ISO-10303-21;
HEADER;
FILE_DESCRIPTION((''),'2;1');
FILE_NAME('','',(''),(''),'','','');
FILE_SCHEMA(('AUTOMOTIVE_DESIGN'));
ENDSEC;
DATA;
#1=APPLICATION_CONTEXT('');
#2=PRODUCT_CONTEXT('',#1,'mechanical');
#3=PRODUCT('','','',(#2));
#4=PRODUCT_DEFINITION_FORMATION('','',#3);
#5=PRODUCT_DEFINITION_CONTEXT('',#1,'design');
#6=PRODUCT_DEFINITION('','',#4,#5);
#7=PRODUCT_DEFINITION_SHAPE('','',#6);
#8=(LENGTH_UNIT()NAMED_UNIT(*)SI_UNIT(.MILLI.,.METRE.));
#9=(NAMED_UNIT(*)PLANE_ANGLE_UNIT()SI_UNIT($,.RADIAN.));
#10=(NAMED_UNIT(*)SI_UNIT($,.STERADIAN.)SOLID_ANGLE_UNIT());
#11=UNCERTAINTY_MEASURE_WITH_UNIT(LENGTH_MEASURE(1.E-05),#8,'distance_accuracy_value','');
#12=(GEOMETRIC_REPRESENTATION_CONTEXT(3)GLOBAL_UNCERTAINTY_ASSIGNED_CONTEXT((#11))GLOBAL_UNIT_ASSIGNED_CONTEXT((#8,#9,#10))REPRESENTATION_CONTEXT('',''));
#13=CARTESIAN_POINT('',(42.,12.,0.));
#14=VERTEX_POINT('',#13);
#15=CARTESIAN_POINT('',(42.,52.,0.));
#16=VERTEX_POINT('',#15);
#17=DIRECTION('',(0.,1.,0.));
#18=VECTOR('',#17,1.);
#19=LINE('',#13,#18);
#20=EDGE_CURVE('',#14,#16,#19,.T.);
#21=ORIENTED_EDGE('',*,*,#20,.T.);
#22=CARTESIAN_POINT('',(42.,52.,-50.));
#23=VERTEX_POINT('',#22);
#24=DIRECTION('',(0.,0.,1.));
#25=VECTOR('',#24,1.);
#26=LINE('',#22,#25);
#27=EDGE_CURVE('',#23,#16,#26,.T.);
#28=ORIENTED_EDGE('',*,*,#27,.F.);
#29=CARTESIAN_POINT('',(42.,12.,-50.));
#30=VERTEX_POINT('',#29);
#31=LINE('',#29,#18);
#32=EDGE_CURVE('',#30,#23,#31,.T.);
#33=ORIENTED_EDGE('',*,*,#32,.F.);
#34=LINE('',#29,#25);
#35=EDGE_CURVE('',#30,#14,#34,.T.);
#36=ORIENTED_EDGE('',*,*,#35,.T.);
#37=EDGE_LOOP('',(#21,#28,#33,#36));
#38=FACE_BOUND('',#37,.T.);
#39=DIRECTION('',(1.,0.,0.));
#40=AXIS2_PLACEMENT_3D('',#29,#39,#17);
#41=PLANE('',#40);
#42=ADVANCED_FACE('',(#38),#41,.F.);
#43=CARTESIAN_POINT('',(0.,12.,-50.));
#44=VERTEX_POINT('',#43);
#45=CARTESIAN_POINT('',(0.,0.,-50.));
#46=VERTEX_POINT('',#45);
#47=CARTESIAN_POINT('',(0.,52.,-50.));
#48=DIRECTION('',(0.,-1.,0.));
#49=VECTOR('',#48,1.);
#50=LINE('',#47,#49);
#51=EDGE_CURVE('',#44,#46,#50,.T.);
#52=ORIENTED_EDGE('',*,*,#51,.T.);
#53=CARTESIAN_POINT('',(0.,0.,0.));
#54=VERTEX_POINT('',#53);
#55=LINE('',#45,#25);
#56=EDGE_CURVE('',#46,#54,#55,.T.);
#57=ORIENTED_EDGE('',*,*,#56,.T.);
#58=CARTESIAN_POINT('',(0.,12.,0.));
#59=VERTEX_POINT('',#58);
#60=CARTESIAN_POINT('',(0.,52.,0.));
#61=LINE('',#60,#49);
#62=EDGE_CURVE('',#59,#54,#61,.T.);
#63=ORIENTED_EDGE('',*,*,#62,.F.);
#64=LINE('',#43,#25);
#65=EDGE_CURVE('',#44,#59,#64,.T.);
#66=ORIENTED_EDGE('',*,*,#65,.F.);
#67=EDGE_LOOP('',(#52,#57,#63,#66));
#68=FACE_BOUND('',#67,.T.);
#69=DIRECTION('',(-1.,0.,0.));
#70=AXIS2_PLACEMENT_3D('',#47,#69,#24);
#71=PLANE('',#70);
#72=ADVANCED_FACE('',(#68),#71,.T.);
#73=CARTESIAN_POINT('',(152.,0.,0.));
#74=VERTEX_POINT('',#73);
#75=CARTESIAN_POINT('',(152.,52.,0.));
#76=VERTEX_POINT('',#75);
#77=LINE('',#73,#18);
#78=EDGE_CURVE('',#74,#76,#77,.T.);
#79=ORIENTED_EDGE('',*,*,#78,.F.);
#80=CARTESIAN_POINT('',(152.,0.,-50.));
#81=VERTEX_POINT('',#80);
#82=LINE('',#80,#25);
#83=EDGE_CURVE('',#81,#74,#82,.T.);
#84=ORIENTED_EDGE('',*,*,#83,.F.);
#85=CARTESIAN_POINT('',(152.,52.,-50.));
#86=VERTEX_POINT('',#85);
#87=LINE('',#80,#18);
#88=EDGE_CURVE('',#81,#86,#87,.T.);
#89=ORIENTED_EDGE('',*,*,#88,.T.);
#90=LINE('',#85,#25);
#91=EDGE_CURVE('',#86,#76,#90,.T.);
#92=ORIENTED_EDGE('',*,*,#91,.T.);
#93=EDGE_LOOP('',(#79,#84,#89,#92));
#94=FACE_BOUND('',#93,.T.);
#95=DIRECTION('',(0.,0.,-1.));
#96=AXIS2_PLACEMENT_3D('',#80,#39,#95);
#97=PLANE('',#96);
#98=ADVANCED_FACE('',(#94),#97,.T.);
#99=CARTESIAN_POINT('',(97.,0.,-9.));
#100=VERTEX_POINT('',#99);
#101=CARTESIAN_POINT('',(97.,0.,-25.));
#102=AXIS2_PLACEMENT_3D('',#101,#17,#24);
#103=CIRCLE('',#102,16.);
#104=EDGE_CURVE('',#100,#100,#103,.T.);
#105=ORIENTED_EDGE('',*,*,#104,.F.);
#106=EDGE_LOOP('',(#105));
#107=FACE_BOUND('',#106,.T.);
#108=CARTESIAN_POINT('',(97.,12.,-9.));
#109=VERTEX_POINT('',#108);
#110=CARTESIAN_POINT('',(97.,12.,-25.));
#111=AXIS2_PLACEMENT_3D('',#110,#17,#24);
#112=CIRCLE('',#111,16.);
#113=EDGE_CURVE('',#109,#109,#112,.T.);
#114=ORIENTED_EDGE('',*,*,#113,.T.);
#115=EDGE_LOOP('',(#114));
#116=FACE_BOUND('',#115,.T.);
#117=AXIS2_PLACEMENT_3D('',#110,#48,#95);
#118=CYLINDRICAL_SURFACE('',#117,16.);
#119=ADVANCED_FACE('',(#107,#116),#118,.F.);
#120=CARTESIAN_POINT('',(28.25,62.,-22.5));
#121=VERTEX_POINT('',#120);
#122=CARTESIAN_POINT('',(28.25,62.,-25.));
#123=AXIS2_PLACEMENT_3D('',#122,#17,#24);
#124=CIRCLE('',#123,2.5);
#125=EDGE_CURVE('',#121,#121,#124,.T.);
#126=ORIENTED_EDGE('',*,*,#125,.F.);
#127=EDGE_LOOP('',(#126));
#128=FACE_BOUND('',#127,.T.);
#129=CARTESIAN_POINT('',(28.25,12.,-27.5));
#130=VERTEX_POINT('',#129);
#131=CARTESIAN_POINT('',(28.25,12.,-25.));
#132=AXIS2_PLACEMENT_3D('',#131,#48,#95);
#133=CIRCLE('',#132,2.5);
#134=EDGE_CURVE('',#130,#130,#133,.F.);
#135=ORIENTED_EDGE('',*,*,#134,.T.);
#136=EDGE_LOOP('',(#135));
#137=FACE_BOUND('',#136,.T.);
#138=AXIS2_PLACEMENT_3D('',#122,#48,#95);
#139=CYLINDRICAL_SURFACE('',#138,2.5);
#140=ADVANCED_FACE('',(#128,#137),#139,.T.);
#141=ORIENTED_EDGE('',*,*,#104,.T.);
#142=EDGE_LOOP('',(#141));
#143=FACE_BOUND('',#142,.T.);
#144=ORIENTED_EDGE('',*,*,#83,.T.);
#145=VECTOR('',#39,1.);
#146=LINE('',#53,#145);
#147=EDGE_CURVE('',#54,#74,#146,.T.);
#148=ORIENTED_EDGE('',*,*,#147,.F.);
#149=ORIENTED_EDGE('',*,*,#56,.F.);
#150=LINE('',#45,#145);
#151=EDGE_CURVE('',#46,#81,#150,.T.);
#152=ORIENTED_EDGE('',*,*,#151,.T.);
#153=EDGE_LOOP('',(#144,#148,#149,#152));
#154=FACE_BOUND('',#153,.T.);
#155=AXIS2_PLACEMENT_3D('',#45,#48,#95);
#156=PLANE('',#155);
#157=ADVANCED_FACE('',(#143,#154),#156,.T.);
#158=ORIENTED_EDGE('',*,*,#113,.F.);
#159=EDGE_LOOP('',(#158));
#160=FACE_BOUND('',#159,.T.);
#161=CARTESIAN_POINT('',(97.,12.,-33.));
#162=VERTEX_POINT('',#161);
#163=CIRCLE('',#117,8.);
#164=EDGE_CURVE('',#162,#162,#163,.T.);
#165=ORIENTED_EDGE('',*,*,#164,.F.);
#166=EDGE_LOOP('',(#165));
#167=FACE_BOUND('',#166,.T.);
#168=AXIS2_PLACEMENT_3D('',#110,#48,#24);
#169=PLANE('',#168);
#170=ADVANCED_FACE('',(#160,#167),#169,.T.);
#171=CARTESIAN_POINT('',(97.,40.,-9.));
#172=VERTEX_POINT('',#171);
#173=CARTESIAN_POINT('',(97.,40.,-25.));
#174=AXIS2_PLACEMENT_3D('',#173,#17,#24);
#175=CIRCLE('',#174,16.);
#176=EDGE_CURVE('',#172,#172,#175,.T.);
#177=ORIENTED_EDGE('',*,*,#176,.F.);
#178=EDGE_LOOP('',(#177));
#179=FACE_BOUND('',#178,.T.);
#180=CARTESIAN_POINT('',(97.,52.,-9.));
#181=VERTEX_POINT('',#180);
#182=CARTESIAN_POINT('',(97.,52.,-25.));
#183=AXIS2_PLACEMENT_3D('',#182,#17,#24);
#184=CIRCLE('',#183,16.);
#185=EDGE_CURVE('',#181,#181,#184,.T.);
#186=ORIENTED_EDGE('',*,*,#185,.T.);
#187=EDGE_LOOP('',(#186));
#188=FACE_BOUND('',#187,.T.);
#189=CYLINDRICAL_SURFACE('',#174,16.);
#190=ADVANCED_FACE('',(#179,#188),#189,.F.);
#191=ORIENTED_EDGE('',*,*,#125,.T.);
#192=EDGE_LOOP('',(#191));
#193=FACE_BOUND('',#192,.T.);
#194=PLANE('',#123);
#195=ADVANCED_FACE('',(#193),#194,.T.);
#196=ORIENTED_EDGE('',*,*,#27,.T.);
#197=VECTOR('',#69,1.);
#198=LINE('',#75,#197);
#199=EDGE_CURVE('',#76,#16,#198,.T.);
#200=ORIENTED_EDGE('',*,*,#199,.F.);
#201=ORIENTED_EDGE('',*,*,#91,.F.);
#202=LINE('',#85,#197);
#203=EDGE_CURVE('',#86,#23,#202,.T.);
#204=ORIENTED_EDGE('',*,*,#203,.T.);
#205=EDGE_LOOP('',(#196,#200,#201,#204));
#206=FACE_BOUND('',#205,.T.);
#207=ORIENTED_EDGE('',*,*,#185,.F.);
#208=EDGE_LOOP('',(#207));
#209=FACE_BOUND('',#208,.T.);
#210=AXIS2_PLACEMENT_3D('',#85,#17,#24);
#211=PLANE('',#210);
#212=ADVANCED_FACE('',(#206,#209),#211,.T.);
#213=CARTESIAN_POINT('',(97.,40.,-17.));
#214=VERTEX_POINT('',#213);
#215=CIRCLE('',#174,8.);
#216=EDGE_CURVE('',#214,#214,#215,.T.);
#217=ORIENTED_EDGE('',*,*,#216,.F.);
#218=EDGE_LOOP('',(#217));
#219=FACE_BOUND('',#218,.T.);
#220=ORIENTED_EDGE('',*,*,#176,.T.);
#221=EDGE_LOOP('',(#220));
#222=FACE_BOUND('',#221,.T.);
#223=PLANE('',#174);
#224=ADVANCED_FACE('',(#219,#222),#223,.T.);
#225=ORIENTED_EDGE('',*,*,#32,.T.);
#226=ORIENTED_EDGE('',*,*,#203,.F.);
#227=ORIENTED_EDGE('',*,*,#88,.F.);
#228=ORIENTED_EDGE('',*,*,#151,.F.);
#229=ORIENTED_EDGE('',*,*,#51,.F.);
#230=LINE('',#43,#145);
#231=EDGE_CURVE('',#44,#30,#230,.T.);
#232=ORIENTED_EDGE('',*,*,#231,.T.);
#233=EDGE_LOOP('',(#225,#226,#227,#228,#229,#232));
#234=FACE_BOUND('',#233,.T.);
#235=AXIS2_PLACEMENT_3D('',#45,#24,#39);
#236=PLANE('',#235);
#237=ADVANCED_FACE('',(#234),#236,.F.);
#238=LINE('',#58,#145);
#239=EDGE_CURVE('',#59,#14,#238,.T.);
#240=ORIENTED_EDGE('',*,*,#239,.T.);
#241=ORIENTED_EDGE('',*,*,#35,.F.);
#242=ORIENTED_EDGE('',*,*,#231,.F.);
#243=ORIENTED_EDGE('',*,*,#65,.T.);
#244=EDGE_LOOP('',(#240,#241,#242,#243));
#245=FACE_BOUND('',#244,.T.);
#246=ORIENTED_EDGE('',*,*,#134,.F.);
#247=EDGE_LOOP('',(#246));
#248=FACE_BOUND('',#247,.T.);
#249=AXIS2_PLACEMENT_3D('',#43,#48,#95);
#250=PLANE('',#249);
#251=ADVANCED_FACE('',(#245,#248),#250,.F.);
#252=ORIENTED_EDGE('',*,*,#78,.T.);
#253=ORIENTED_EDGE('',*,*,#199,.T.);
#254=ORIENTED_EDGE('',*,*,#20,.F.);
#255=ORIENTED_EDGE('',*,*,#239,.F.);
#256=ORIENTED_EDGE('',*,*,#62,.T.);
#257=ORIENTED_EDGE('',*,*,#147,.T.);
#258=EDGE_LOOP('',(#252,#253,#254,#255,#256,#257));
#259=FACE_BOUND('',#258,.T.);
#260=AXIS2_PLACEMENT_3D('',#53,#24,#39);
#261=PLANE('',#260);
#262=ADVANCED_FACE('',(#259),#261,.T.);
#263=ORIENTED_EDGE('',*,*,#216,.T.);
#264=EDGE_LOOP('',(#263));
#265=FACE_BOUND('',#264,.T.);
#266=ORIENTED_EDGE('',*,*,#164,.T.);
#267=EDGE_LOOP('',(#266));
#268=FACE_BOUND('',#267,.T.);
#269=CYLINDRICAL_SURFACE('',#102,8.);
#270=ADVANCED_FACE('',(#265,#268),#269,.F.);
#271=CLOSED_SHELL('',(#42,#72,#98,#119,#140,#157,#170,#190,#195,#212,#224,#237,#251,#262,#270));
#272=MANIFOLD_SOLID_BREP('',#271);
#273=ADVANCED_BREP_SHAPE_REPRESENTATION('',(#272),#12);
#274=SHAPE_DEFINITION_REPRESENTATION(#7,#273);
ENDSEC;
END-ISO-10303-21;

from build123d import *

# Parameters (mm, degrees)
SKETCH1_W                = 152
SKETCH1_H                = 52
BOSS_EXTRUDE1_DEPTH      = 50
SKETCH2_W                = 42
SKETCH2_H                = 40
CUT_EXTRUDE1_DEPTH       = 169.249814264
SKETCH3_R                = 16
CUT_EXTRUDE2_DEPTH       = 12
SKETCH4_R                = 8
CUT_EXTRUDE3_DEPTH       = 165.93635136
BOSS_EXTRUDE2_DEPTH      = 10
BOSS_EXTRUDE2_DEPTH_BACK = 40
SKETCH6_R                = 2.5


with BuildPart() as part:
    # Sketch1 → Boss-Extrude1 (new body)
    with BuildSketch(Plane.XY):
        with Locations((76, 26)):
            Rectangle(SKETCH1_W, SKETCH1_H)
    extrude(amount=-BOSS_EXTRUDE1_DEPTH)

    # Sketch2 → Cut-Extrude1 (cut, through all)
    with BuildSketch(Plane.XY):
        with Locations((21, 32)):
            Rectangle(SKETCH2_W, SKETCH2_H)
    extrude(amount=-CUT_EXTRUDE1_DEPTH, mode=Mode.SUBTRACT)

    # Sketch3 → Cut-Extrude2 (cut)
    with BuildSketch(Plane(origin=(0, 52, 0), x_dir=(1, 0, 0), z_dir=(0, 1, 0))):
        with Locations(Location((97, 25, 0), (0, 0, 270))):
            Circle(SKETCH3_R)
    cut_extrude2 = extrude(amount=-CUT_EXTRUDE2_DEPTH, mode=Mode.SUBTRACT)

    # Mirror1: Cut-Extrude2 across plane
    add(cut_extrude2.mirror(Plane.ZX.offset(26)), mode=Mode.SUBTRACT)

    # Sketch4 → Cut-Extrude3 (cut, through all)
    with BuildSketch(Plane(origin=(0, 40, 0), x_dir=(1, 0, 0), z_dir=(0, 1, 0))):
        with Locations(Location((97, 25, 0), (0, 0, 270))):
            Circle(SKETCH4_R)
    extrude(amount=-CUT_EXTRUDE3_DEPTH, mode=Mode.SUBTRACT)

    # Sketch6 → Boss-Extrude2 (add, two sides: drawn at the far end of the back side and taken through both)
    with BuildSketch(Plane(origin=(0, 52, 0), x_dir=(1, 0, 0), z_dir=(0, 1, 0)).offset(-BOSS_EXTRUDE2_DEPTH_BACK)):
        with Locations(Location((28.25, 25, 0), (0, 0, 90))):
            Circle(SKETCH6_R)
    extrude(amount=BOSS_EXTRUDE2_DEPTH + BOSS_EXTRUDE2_DEPTH_BACK)


solid = part.part
